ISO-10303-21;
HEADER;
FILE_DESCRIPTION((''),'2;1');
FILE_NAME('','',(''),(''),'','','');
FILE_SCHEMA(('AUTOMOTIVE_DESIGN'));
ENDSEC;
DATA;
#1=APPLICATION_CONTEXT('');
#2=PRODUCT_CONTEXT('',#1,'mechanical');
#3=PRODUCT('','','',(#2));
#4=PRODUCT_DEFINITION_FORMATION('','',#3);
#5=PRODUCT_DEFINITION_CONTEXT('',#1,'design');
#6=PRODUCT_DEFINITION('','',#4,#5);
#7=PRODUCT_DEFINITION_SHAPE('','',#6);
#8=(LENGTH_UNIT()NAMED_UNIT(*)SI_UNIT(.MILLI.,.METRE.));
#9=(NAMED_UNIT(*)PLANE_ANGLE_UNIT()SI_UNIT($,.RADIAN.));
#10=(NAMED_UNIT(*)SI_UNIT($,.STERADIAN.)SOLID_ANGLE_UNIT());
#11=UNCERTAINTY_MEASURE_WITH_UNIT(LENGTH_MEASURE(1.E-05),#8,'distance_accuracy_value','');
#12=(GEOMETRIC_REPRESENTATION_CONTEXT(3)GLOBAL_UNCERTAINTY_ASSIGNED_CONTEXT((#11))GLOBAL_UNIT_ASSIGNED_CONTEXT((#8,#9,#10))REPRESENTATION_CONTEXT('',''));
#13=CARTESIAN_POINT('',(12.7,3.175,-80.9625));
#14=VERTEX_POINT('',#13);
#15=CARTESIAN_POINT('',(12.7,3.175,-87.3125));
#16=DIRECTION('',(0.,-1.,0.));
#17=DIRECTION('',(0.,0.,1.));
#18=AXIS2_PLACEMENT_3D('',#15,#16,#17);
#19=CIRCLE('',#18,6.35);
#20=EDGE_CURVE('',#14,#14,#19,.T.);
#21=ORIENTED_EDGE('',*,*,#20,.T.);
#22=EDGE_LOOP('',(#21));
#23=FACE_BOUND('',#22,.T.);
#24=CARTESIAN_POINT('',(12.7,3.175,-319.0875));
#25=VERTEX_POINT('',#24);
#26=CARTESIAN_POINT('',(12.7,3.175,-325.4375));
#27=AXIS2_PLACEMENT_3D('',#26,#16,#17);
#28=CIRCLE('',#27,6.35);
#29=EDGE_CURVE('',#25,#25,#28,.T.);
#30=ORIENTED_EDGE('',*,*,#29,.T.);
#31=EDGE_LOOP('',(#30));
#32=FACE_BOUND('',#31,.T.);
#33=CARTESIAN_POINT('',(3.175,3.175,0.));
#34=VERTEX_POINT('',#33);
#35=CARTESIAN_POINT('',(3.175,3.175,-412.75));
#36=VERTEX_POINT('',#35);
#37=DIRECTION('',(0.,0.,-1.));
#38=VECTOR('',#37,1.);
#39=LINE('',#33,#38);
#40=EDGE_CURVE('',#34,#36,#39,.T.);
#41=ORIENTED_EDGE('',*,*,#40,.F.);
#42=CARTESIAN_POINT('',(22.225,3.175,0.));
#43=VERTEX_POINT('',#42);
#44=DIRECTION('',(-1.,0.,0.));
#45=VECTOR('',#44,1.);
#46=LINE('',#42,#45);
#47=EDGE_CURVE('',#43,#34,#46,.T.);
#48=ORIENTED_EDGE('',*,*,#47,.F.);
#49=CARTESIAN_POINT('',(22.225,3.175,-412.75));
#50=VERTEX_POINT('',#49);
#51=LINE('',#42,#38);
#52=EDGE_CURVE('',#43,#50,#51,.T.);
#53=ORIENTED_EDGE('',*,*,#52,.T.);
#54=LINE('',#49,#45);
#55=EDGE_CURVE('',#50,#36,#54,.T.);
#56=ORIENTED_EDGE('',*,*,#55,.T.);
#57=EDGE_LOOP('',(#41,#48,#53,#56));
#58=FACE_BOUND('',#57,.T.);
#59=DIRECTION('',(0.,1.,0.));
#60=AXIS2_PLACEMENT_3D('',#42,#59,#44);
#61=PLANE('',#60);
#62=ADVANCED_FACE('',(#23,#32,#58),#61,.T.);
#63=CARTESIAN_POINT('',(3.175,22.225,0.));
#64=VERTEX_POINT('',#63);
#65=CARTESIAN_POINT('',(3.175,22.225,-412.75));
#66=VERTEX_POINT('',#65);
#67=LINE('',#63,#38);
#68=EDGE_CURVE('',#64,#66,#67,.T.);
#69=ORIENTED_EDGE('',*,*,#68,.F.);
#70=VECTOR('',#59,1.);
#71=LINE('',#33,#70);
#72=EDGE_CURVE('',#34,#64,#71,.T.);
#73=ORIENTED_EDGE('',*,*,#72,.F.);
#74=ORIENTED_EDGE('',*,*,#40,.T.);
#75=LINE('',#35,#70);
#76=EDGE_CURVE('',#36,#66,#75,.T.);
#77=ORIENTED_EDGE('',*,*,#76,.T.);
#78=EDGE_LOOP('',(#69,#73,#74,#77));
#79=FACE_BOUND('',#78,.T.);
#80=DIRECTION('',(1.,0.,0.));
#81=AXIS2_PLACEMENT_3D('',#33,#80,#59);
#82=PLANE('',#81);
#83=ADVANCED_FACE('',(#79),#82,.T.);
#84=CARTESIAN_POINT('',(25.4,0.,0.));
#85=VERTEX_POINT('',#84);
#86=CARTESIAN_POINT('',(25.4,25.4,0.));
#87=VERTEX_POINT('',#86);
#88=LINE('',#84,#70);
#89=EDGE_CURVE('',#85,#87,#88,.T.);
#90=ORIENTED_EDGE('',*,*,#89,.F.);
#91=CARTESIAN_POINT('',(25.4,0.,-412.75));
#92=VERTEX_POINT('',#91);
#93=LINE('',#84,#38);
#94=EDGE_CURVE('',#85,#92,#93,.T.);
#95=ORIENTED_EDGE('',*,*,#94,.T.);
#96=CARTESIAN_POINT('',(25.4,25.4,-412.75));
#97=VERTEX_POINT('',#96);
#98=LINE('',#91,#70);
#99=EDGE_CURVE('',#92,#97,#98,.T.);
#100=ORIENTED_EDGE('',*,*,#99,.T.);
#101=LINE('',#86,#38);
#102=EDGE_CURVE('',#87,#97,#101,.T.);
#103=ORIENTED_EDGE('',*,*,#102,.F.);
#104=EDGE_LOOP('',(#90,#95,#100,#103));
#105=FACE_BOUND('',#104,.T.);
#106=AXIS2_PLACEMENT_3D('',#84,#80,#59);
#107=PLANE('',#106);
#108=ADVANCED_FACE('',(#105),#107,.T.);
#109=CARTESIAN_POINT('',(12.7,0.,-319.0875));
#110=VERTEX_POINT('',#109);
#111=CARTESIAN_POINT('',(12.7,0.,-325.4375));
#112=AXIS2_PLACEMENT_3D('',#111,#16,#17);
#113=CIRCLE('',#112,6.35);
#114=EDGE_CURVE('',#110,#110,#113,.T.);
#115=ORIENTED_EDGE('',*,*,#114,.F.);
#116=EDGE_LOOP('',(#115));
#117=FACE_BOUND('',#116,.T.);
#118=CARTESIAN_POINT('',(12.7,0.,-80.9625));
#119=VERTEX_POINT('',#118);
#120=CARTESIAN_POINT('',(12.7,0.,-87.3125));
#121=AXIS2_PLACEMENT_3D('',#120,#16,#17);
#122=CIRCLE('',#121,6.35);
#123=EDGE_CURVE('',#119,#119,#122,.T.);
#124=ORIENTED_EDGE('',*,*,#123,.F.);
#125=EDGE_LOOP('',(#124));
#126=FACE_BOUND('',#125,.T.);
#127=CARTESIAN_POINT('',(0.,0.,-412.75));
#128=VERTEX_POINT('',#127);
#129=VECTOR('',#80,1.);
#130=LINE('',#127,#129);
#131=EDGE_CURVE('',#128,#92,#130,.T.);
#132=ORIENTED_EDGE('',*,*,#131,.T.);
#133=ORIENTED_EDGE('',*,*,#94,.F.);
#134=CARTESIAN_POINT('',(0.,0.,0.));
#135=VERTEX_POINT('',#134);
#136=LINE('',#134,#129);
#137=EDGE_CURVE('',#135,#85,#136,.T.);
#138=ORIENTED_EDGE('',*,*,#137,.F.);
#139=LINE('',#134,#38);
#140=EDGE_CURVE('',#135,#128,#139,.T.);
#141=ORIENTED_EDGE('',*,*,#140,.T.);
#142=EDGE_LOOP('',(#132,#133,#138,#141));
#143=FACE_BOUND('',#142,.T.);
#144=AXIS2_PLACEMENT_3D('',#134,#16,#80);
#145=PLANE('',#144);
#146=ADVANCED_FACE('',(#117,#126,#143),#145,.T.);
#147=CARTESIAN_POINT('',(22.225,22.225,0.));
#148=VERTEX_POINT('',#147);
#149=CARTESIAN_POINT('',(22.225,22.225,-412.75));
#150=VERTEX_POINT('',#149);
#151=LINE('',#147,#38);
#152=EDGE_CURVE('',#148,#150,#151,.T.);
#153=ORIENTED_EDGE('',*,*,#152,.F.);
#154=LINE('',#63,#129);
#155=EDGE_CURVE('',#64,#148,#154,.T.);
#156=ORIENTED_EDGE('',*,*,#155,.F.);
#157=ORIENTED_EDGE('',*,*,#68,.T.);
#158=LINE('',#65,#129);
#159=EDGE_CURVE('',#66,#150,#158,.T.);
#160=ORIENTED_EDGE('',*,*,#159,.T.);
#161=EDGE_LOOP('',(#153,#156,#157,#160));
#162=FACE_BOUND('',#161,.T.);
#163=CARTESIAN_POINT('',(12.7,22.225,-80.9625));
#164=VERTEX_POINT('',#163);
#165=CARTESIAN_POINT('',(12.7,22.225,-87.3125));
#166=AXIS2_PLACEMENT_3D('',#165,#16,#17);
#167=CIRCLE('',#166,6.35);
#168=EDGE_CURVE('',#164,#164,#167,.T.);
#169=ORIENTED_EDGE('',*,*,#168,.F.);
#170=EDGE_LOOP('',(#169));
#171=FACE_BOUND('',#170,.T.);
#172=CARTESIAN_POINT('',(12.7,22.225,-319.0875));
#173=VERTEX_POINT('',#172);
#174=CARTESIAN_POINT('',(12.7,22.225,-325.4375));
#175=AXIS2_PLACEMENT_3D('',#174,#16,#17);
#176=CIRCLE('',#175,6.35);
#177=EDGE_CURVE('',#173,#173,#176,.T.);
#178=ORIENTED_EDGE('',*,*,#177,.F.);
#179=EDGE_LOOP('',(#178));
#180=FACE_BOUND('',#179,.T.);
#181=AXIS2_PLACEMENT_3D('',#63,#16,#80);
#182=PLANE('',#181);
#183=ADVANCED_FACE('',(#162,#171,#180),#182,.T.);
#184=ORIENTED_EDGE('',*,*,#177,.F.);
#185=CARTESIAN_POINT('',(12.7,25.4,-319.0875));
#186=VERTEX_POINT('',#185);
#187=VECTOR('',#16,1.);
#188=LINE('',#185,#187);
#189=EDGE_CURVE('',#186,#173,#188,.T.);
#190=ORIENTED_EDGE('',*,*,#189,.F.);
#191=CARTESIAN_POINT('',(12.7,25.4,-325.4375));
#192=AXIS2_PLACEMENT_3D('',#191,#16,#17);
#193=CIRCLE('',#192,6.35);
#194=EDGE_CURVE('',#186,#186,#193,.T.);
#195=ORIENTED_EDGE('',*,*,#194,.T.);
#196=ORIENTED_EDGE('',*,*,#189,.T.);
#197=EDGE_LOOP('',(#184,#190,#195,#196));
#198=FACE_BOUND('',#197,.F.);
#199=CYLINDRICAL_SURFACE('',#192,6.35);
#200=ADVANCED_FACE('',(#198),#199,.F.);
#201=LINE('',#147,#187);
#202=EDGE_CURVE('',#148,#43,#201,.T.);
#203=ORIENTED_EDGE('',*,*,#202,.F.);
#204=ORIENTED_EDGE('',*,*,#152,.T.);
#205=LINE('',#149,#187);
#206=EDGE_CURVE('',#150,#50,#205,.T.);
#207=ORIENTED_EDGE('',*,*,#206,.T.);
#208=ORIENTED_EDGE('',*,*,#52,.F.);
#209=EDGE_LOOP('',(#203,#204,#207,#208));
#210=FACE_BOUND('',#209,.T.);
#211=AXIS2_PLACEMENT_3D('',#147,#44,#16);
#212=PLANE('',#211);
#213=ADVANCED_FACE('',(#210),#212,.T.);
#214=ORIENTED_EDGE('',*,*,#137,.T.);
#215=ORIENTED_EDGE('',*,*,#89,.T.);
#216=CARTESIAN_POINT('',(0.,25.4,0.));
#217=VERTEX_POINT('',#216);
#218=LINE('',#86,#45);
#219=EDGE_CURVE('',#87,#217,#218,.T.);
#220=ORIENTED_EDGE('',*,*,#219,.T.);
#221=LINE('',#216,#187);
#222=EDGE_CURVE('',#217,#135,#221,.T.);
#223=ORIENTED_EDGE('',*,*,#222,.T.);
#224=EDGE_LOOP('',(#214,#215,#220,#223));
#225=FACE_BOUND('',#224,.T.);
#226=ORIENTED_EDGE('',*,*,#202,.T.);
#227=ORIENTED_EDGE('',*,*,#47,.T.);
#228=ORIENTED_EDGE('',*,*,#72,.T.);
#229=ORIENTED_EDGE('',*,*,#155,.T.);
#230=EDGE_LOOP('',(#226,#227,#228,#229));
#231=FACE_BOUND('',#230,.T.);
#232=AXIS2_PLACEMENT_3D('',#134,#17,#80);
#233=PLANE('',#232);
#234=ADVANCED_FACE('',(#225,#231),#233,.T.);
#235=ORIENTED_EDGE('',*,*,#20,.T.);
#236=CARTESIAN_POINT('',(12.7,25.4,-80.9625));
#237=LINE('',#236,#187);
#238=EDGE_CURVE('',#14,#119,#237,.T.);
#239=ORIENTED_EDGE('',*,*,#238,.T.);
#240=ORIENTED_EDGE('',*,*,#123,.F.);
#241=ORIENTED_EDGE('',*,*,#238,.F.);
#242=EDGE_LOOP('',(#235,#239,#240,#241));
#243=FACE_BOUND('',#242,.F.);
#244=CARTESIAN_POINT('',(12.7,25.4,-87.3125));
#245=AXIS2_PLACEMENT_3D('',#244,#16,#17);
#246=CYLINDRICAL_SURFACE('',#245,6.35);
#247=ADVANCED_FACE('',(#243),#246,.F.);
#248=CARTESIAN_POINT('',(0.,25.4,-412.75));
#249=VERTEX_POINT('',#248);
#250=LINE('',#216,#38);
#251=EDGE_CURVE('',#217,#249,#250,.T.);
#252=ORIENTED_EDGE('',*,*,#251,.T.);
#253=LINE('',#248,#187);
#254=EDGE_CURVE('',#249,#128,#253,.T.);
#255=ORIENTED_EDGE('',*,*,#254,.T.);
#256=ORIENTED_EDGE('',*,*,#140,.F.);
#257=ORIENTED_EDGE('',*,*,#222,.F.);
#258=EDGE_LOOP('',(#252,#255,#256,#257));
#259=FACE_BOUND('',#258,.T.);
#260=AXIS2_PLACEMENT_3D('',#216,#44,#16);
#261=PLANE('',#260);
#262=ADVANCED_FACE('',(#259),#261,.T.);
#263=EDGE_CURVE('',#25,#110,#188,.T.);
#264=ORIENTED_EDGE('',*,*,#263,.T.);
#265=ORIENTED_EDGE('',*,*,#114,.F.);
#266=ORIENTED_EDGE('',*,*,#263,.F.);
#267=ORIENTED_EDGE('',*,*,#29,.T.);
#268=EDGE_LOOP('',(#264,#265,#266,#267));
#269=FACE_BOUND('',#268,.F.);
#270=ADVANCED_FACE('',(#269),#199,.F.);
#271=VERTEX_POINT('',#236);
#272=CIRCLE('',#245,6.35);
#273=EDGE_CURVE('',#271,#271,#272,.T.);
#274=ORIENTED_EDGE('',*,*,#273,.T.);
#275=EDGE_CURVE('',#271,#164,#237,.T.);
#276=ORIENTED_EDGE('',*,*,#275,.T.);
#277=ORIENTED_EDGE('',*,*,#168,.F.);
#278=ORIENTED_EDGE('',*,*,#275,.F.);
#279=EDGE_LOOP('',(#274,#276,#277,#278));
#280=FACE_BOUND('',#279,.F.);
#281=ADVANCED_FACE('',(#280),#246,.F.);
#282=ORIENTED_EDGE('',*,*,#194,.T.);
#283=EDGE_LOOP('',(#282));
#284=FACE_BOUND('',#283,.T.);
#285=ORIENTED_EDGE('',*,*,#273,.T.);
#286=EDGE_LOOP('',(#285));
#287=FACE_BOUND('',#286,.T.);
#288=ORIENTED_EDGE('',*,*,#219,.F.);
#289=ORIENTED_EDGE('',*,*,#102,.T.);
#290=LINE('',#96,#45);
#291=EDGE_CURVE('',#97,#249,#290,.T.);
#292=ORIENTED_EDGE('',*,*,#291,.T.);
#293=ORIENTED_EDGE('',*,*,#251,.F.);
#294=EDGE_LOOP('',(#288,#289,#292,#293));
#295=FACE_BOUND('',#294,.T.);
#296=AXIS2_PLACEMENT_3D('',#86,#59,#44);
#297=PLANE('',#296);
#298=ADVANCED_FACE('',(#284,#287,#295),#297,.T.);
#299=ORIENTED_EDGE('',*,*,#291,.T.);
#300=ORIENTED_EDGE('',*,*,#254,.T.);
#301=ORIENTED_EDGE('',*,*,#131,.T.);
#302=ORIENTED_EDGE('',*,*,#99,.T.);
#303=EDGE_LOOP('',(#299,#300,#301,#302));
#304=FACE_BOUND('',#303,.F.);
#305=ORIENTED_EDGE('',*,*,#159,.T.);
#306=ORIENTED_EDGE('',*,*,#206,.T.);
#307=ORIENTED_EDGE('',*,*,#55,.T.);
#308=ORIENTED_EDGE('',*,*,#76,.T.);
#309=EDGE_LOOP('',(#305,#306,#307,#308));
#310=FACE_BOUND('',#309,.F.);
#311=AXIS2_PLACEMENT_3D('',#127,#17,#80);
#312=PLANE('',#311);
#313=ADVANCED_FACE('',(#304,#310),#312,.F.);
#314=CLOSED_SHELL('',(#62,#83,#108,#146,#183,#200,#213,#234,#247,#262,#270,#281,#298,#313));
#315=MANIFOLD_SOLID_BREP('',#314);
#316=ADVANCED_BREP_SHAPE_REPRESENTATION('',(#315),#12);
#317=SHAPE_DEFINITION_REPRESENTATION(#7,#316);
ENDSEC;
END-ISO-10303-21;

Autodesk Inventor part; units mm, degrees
ref_plane "YZ Plane" through (0, 0, 0) normal (1, 0, 0) x (0, 1, 0)
ref_plane "XZ Plane" through (0, 0, 0) normal (0, 1, 0) x (-1, 0, 0)
ref_plane "XY Plane" through (0, 0, 0) normal (0, 0, 1) x (1, 0, 0)
sketch "Sketch1" plane through (0, 0, 0) normal (0, 0, 1) x (1, 0, 0)
  line L0 (0, 0) -> (25.4, 0)
  line L1 (25.4, 0) -> (25.4, 25.4)
  line L2 (25.4, 25.4) -> (0, 25.4)
  line L3 (0, 25.4) -> (0, 0)
  line L4 (3.175, 22.225) -> (22.225, 22.225)
  line L5 (22.225, 22.225) -> (22.225, 3.175)
  line L6 (22.225, 3.175) -> (3.175, 3.175)
  line L7 (3.175, 3.175) -> (3.175, 22.225)
  dimension "d0" = 25.4
  dimension "d1" = 25.4
  dimension "d2" = 3.175
extrude "Extrusion1" add sketch "Sketch1" against normal blind 412.75
sketch "Sketch2" plane through (0, 25.4, 0) normal (0, 1, 0) x (1, 0, 0)
  line L0 (25.4, 412.75) -> (0, 412.75) projected
  line L1 (25.4, 0) -> (0, 0) projected
  point P0 (12.7, 87.3125)
  point P1 (12.7, 325.4375)
  dimension "d5" = 87.3125
  dimension "d6" = 87.3125
hole "Hole1" at (12.7, 25.4, -87.3125) at (12.7, 25.4, -325.4375) direction (0, -1, 0) diameter 12.7 depth 25.4 tip angle 118
properties part number "16.25inch tube"
